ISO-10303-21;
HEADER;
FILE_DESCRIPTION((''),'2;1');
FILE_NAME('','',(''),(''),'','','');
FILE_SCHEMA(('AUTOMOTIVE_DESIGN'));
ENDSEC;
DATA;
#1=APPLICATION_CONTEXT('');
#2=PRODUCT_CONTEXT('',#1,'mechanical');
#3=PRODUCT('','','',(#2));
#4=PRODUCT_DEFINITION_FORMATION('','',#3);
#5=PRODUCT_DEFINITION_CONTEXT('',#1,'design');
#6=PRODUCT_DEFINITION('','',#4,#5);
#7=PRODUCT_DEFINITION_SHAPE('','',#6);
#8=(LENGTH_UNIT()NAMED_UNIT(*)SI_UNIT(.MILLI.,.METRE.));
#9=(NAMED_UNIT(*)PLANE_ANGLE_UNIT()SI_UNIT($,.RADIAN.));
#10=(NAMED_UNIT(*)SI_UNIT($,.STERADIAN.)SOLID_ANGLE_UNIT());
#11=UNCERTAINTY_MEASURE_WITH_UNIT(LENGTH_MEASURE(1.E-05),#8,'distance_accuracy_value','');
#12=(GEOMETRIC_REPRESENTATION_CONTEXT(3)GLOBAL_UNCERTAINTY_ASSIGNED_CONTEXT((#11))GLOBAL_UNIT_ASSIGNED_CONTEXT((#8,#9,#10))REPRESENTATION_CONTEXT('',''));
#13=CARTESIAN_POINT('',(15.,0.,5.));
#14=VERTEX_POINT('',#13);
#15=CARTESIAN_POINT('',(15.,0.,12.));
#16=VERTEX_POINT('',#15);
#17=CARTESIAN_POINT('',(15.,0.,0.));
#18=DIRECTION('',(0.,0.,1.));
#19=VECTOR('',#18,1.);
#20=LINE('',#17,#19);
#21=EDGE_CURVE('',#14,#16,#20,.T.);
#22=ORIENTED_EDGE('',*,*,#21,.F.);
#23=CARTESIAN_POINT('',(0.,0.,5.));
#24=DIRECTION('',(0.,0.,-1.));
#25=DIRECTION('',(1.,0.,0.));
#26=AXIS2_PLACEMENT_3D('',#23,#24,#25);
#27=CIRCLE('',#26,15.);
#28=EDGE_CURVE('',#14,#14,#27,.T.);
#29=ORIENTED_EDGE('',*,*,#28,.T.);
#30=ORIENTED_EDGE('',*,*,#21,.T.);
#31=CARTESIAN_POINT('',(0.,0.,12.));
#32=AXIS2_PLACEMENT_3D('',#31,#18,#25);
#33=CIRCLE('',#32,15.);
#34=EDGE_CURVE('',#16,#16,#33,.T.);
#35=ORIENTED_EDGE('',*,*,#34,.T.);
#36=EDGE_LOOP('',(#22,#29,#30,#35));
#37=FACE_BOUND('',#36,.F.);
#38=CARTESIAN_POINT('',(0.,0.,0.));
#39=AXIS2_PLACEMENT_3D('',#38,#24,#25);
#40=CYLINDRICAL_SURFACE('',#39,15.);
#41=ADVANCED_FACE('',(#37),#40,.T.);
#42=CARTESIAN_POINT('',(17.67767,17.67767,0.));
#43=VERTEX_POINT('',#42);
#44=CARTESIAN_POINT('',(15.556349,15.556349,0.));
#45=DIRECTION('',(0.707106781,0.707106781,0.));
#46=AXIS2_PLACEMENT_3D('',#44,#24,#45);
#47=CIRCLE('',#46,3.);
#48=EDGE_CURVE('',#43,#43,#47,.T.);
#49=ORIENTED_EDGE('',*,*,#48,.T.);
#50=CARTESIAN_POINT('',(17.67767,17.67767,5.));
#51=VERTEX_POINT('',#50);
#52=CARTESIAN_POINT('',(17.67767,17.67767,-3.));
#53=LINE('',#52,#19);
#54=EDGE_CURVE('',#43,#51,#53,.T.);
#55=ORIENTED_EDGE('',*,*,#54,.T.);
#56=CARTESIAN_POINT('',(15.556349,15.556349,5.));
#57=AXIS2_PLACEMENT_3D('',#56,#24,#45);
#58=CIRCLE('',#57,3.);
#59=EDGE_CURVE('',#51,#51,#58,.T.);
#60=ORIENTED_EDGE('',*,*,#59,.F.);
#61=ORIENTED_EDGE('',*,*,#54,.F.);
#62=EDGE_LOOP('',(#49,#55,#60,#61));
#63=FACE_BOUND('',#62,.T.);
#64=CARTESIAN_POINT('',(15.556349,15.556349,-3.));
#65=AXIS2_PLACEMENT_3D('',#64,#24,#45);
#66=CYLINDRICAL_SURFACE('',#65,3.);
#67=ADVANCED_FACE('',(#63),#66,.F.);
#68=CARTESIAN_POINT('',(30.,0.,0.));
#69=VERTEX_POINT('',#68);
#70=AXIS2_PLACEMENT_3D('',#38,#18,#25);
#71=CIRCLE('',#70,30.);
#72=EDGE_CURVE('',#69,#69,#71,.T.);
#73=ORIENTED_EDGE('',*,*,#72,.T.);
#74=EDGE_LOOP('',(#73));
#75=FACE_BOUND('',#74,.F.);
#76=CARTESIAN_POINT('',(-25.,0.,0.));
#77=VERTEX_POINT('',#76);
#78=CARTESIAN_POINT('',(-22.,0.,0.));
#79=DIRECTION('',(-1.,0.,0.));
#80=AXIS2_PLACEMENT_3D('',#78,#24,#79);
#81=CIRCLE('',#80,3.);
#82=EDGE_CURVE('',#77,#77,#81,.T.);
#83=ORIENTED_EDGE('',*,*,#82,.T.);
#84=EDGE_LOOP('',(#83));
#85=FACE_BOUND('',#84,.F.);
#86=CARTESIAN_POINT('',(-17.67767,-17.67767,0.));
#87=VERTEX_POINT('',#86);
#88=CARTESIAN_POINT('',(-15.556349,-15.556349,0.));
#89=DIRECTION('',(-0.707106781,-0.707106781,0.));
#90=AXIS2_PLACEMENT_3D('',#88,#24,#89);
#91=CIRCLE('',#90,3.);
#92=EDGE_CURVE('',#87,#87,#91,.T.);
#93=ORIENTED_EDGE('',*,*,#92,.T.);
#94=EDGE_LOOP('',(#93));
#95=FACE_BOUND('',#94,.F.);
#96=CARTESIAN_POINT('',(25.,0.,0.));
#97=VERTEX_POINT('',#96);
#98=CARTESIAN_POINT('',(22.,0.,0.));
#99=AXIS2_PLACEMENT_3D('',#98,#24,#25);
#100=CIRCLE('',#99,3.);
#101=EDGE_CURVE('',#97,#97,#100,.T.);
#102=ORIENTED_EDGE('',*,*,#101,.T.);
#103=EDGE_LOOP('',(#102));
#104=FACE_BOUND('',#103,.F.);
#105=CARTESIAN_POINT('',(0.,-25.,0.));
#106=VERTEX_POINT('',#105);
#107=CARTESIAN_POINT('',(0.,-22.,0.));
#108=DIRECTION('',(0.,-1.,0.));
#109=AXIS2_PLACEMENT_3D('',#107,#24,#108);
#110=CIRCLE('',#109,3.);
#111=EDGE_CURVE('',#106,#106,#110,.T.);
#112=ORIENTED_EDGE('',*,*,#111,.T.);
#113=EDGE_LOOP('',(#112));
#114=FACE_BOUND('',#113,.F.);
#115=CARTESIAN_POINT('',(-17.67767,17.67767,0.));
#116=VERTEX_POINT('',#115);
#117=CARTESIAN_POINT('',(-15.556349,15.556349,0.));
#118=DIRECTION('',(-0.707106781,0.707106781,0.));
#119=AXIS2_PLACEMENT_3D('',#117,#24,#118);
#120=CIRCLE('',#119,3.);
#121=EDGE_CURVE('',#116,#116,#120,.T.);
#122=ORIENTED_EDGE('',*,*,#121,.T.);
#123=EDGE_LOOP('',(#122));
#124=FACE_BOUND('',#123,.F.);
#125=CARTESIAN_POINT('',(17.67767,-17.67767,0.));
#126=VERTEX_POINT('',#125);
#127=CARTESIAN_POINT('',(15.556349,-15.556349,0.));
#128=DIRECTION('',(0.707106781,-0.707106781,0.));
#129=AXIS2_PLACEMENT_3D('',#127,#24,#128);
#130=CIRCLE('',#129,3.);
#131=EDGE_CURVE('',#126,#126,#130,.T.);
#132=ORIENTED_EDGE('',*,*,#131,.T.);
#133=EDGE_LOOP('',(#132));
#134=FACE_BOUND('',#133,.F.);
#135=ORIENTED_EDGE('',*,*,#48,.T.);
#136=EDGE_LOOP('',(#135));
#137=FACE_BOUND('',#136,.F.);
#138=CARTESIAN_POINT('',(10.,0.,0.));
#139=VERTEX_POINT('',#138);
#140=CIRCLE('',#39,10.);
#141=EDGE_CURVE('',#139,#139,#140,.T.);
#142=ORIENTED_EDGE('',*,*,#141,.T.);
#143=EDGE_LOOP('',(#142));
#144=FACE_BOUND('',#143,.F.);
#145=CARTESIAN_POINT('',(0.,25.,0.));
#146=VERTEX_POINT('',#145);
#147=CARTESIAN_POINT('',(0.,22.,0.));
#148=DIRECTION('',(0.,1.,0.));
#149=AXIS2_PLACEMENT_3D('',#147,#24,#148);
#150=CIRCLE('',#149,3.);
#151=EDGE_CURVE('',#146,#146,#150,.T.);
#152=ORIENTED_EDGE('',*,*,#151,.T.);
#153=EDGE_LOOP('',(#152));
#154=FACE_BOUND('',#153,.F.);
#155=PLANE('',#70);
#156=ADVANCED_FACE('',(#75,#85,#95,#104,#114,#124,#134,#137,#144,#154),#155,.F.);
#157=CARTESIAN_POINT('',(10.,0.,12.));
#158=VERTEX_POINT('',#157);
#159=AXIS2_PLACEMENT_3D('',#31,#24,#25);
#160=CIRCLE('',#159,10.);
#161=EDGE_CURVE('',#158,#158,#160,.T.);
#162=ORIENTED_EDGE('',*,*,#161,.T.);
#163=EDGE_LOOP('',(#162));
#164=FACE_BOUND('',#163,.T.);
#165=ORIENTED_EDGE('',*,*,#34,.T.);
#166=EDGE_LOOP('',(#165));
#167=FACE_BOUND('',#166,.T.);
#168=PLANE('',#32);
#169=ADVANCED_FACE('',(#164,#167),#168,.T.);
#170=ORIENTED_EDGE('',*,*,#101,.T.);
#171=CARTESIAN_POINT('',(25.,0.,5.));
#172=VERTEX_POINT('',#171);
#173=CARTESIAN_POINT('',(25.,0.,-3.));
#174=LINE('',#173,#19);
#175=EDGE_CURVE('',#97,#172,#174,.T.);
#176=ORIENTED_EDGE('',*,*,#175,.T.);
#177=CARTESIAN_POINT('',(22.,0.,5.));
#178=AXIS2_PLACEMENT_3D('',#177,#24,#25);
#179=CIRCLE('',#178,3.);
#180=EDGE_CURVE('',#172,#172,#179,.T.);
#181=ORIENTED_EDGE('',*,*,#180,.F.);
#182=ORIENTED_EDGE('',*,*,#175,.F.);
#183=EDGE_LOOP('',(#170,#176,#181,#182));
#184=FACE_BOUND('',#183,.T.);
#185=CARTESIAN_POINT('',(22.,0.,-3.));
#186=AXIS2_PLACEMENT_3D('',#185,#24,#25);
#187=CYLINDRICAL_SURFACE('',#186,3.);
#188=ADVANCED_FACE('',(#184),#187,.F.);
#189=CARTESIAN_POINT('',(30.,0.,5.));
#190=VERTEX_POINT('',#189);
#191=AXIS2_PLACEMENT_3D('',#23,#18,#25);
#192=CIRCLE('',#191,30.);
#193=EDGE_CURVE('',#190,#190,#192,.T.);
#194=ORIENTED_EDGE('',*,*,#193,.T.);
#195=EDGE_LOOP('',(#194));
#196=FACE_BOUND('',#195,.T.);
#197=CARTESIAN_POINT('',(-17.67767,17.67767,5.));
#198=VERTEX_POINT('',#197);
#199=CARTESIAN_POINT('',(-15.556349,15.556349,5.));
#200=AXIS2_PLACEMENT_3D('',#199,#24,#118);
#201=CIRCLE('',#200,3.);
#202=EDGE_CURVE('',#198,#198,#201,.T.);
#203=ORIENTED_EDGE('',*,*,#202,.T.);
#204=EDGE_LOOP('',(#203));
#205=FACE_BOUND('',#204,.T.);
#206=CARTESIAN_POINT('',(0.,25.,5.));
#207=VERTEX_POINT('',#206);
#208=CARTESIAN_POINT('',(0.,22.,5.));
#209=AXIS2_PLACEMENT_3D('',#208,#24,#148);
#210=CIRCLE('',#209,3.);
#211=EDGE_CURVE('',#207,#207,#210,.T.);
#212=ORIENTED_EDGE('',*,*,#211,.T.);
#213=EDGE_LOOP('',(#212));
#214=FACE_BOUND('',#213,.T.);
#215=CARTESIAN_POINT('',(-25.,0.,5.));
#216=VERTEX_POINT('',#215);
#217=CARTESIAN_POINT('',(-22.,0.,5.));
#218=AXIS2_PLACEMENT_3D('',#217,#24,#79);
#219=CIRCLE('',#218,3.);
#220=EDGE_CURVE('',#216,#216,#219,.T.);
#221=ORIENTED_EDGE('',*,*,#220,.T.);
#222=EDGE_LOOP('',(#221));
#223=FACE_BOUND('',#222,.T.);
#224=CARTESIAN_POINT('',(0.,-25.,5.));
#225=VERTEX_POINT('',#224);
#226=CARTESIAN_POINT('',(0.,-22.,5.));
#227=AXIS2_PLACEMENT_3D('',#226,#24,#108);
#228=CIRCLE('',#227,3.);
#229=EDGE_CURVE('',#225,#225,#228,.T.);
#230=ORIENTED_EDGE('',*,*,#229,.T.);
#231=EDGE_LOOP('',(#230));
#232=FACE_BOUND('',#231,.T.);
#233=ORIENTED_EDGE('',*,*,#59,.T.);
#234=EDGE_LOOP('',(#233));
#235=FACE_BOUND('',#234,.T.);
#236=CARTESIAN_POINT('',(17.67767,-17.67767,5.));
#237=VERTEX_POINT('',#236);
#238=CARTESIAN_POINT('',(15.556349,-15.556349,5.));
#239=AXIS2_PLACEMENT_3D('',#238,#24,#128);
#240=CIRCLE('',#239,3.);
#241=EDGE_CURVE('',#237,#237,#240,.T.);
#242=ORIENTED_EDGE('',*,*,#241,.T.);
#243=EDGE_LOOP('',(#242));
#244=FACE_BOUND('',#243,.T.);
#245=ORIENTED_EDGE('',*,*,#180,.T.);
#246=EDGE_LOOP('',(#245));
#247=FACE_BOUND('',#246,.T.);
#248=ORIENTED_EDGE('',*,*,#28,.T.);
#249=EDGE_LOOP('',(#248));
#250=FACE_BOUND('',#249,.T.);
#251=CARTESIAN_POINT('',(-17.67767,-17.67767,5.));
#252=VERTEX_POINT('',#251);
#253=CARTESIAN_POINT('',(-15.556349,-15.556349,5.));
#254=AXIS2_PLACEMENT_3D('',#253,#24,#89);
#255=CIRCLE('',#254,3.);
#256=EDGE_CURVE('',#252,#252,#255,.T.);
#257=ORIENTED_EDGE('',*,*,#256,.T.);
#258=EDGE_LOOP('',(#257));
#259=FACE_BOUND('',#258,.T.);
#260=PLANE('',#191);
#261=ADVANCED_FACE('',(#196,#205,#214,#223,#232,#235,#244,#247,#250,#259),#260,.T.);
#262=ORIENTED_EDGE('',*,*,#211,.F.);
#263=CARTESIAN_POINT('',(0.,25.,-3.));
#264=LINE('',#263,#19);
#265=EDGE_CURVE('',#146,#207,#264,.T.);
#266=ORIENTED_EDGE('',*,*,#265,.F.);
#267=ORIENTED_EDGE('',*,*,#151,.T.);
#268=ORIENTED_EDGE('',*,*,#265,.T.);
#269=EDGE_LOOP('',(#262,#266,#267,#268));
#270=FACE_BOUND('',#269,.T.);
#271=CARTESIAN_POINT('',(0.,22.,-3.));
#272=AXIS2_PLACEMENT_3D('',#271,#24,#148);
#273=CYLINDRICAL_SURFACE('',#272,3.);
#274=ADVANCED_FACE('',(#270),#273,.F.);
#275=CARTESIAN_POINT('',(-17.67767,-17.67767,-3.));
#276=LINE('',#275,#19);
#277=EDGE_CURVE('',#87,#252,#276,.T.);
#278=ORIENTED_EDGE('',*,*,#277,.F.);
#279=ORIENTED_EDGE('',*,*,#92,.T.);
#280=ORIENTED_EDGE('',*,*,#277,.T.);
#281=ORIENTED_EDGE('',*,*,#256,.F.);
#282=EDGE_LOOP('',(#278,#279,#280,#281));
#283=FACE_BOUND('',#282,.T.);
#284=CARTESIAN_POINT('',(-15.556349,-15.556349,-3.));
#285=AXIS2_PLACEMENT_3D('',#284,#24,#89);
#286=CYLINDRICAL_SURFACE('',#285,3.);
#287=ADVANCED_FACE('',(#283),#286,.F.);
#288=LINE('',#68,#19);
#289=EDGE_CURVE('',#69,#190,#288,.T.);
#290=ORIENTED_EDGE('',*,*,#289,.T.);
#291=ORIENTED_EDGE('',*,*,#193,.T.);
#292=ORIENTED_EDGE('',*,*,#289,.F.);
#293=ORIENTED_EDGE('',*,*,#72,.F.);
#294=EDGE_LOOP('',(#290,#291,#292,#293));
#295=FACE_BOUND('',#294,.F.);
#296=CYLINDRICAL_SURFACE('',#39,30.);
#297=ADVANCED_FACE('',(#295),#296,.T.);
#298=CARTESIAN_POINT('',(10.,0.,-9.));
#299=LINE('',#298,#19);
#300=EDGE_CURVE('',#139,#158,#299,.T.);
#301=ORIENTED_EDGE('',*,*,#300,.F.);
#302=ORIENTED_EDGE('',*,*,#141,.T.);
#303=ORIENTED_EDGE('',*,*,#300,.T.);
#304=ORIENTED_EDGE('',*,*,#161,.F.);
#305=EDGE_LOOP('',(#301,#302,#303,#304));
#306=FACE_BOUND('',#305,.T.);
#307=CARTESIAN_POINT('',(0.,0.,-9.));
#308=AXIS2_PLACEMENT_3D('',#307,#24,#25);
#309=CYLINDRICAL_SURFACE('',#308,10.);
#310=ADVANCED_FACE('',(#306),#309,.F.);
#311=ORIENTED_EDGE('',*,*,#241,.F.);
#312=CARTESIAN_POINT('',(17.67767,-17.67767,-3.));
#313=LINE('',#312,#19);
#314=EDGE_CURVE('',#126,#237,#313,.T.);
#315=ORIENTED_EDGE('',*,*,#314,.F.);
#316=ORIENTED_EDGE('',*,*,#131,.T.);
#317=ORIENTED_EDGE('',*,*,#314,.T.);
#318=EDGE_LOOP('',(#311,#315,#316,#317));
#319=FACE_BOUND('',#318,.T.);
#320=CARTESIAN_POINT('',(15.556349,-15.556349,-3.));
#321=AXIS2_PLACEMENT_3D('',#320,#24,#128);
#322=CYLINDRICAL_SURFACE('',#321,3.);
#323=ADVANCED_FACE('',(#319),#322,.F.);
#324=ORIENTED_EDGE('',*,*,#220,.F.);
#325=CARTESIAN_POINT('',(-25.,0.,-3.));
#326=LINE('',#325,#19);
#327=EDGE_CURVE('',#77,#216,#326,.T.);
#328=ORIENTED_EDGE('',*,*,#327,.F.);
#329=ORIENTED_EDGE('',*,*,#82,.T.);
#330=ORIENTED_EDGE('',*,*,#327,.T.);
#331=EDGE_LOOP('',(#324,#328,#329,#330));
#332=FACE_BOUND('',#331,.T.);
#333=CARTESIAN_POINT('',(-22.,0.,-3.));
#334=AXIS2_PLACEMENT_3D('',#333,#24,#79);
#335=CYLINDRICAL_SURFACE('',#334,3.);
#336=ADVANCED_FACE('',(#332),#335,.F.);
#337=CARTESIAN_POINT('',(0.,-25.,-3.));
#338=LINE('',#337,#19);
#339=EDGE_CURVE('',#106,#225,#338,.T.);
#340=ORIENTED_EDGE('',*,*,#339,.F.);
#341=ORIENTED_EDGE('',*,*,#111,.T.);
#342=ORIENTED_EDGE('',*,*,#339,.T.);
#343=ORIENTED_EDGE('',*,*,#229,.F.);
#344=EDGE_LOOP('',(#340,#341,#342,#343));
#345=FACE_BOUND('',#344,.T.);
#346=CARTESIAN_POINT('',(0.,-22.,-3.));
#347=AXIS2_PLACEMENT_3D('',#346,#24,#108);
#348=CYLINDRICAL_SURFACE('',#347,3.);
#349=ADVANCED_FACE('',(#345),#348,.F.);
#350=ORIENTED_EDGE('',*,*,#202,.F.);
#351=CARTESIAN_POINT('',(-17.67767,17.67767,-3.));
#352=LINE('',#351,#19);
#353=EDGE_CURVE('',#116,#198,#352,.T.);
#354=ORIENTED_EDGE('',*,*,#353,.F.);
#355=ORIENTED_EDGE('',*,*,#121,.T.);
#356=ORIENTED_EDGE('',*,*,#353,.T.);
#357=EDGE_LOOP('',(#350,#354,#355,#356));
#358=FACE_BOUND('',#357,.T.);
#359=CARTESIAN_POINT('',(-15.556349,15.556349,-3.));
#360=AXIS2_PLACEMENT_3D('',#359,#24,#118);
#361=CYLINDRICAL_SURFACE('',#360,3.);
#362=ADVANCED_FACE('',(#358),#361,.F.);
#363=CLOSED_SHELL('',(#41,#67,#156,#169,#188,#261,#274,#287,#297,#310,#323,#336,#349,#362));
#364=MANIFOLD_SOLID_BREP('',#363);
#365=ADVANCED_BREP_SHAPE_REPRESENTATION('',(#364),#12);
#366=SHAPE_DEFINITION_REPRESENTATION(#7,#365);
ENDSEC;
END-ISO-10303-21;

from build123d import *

# Parameters (mm, degrees)
CYLINDER003_R     = 3
CYLINDER003_DEPTH = 10
ARRAY_COUNT       = 8
CYLINDER002_R     = 10
CYLINDER002_DEPTH = 30
CYLINDER001_R     = 15
CYLINDER001_DEPTH = 12
CYLINDER_R        = 30
CYLINDER_DEPTH    = 5


with BuildPart() as array:
    # Cylinder003 → Cylinder003 (new body)
    with BuildSketch(Plane(origin=(22, 0, -3), x_dir=(1, 0, 0), z_dir=(0, 0, 1))):
        Circle(CYLINDER003_R)
    extrude(amount=CYLINDER003_DEPTH)

    # Array: Array ×8 about axis
    array_axis = Axis((0, 0, 0), (0, 0, 1))


with BuildPart() as array_1:
    add(array.part)
    for i in range(1, ARRAY_COUNT):
        add(array.part.rotate(array_axis, i * 360 / ARRAY_COUNT))


with BuildPart() as cilindre002:
    # Cylinder002 → Cylinder002 (new body)
    with BuildSketch(Plane.XY.offset(-9)):
        Circle(CYLINDER002_R)
    extrude(amount=CYLINDER002_DEPTH)


with BuildPart() as cilindre001:
    # Cylinder001 → Cylinder001 (new body)
    with BuildSketch(Plane.XY):
        Circle(CYLINDER001_R)
    extrude(amount=CYLINDER001_DEPTH)


with BuildPart() as cut001:
    # Cylinder → Cylinder (new body)
    with BuildSketch(Plane.XY):
        Circle(CYLINDER_R)
    extrude(amount=CYLINDER_DEPTH)

    # Fusion: union Cilindre001
    add(cilindre001.part)

    # Cut: cut Cilindre002
    add(cilindre002.part, mode=Mode.SUBTRACT)

    # Cut001: cut Array
    add(array_1.part, mode=Mode.SUBTRACT)


solid = cut001.part
